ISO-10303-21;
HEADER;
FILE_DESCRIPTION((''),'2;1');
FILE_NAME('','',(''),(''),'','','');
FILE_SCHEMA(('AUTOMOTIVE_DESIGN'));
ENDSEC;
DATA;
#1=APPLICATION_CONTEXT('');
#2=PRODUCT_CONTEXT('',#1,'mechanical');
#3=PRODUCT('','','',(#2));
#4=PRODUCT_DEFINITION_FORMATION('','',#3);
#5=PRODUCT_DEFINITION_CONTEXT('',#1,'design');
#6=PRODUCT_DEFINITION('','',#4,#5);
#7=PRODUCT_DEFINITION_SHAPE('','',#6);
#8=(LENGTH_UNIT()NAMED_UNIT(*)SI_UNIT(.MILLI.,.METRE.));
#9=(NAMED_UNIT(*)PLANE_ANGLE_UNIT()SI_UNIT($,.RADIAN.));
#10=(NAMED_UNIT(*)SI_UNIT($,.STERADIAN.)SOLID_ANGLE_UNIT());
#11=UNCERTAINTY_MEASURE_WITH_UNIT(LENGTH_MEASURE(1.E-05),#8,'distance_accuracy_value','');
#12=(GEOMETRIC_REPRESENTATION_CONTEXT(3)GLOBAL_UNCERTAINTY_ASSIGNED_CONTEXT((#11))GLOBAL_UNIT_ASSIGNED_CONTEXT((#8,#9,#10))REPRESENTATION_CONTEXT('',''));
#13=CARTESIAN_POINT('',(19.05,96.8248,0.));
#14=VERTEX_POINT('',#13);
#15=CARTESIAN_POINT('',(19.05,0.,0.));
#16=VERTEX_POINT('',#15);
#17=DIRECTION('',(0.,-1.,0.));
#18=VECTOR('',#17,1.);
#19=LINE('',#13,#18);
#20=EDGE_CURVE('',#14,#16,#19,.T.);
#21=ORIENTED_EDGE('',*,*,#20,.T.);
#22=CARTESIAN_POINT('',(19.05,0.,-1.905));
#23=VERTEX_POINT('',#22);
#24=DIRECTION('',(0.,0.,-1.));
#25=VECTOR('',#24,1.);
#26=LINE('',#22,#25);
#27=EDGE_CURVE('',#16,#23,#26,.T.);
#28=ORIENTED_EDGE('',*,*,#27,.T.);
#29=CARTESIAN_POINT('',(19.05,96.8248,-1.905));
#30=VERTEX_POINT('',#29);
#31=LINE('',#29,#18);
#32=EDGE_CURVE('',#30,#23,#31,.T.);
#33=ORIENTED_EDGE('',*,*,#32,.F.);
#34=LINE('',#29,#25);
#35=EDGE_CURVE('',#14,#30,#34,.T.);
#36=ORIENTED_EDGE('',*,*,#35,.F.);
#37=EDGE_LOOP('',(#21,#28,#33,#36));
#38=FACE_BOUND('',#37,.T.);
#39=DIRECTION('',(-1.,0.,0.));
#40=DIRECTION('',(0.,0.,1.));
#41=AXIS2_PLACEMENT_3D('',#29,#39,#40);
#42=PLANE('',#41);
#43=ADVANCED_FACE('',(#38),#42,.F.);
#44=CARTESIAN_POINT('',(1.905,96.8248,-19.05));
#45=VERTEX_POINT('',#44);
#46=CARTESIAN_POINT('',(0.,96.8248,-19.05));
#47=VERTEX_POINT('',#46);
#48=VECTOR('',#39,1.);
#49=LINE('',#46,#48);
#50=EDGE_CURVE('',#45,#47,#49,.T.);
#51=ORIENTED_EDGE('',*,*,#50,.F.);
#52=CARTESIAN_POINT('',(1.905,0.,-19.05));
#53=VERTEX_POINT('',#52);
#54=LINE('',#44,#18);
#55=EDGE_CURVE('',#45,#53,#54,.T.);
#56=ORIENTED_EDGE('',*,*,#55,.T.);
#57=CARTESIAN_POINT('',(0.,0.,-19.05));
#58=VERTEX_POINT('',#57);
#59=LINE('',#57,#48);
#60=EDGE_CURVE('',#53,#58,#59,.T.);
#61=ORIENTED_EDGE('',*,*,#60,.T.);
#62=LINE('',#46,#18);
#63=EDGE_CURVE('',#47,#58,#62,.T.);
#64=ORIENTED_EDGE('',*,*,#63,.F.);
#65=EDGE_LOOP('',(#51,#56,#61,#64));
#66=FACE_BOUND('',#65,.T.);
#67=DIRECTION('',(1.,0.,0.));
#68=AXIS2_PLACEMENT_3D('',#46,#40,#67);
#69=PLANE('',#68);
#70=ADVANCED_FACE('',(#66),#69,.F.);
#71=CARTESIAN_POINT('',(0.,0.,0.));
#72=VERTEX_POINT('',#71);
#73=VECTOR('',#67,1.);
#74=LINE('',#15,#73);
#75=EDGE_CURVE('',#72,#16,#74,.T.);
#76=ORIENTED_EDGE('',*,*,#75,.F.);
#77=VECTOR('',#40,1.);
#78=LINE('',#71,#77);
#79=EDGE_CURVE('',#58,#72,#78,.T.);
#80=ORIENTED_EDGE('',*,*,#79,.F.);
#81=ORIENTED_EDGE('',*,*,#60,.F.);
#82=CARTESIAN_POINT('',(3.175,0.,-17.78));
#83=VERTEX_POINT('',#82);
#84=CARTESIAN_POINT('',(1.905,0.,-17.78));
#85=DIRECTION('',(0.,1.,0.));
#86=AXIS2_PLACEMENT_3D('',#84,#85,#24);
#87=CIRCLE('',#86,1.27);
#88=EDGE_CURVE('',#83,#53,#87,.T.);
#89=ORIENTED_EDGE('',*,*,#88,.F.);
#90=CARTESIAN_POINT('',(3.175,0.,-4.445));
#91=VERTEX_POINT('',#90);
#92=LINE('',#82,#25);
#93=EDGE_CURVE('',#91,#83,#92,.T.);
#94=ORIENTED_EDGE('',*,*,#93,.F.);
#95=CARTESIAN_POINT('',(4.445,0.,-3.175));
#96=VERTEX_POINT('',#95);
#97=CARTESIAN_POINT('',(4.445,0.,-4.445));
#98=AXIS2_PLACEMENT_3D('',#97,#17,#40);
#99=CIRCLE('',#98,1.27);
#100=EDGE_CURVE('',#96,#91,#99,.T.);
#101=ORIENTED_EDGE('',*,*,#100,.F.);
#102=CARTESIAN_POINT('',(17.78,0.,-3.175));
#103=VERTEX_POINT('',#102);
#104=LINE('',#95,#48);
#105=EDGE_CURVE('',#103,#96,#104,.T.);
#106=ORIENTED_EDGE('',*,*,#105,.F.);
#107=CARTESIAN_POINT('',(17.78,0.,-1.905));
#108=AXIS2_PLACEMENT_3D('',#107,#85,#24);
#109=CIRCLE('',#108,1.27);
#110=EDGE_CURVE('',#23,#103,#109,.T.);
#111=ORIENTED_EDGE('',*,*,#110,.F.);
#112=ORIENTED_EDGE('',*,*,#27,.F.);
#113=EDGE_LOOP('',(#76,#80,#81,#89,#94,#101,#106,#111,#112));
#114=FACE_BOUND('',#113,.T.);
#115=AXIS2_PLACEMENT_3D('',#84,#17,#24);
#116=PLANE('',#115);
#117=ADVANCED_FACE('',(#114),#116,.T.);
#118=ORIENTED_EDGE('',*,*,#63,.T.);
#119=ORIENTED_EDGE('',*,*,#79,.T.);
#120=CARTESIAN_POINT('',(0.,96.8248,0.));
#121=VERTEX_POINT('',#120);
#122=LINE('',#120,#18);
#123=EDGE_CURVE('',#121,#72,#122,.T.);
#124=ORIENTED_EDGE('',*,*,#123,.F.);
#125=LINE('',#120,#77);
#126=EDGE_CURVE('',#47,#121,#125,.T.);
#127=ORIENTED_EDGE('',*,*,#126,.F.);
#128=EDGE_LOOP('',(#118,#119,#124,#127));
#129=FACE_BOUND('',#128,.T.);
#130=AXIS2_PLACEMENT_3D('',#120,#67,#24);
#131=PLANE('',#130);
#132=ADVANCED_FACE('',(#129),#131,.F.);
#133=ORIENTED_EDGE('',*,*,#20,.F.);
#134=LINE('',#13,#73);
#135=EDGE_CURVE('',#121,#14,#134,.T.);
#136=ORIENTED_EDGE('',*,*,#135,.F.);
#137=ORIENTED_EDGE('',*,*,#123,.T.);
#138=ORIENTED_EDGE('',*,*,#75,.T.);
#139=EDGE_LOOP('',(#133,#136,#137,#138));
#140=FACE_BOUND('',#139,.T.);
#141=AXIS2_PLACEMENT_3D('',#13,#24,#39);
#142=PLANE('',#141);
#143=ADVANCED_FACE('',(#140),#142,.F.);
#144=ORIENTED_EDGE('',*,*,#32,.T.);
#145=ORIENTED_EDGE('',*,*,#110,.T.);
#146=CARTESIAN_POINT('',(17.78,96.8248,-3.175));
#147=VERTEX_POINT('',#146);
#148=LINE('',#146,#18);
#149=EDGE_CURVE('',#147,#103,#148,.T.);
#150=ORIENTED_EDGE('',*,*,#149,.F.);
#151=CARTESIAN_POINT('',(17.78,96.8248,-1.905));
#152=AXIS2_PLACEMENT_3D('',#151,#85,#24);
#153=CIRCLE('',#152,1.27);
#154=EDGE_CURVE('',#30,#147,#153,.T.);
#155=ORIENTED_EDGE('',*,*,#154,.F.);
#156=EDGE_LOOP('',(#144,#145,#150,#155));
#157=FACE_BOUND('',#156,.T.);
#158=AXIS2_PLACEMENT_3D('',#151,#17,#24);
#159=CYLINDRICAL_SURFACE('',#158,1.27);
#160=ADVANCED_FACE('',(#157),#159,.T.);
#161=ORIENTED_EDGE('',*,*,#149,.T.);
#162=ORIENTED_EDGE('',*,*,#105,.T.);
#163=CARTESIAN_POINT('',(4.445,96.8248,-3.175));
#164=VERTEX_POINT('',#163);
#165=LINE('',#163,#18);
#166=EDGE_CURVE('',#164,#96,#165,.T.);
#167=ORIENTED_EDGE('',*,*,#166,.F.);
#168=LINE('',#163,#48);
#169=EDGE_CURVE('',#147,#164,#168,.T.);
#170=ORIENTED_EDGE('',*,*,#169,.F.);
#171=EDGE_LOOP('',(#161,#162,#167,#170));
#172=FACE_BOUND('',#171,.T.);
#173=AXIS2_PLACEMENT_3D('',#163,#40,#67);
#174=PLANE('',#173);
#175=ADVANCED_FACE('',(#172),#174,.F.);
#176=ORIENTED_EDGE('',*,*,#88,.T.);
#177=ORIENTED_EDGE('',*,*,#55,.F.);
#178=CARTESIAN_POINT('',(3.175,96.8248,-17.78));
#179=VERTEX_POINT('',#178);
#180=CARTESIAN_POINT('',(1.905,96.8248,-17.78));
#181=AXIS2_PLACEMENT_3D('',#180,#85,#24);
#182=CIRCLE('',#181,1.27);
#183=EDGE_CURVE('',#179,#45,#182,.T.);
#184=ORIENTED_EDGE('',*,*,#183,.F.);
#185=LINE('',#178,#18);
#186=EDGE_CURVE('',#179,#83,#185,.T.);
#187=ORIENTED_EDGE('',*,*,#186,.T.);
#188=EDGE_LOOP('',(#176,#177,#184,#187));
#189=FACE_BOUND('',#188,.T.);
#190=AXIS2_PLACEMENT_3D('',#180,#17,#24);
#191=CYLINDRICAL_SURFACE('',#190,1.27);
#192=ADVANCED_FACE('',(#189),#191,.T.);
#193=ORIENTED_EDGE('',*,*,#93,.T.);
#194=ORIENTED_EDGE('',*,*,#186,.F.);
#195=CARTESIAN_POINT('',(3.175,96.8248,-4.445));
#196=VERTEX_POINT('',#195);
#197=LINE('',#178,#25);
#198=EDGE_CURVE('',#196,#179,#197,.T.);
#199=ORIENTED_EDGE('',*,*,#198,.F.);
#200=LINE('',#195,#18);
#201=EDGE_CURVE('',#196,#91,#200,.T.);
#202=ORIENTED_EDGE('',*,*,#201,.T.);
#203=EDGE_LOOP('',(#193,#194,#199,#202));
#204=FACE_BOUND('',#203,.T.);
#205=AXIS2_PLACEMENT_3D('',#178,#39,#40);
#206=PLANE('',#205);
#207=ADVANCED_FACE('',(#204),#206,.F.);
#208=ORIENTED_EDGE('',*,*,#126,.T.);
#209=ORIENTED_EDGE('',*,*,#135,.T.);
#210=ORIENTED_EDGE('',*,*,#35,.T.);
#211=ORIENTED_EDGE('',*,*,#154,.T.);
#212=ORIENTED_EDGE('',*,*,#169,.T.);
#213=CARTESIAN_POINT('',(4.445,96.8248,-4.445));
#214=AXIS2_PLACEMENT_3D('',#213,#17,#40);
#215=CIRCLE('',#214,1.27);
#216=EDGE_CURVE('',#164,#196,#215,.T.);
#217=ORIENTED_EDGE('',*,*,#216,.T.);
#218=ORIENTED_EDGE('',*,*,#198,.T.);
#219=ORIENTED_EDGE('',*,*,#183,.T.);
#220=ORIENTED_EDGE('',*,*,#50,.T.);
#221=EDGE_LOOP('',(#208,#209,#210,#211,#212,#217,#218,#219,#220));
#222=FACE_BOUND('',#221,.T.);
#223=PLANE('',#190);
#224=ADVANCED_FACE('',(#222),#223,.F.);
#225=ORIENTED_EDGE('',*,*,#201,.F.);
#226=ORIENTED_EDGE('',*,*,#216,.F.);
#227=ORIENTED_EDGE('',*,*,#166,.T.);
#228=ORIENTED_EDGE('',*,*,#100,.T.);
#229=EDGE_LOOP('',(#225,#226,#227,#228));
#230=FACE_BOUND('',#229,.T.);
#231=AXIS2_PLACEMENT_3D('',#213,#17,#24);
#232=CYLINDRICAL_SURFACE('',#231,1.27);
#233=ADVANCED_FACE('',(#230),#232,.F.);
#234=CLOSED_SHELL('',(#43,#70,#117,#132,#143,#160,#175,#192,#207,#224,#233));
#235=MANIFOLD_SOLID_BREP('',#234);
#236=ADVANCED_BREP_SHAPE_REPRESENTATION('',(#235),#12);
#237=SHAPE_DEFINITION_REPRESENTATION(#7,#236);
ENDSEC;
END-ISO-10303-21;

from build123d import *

# Parameters (mm, degrees)
BOSS_EXTRUDE1_DEPTH = 96.8248


with BuildPart() as part:
    # Sketch1 → Boss-Extrude1 (new body)
    with BuildSketch(Plane(origin=(0, 0, 0), x_dir=(1, 0, 0), z_dir=(0, 1, 0))):
        with BuildLine():
            Line((0, 0), (0, 19.05))
            Line((0, 19.05), (1.905, 19.05))
            ThreePointArc((1.905, 19.05), (2.803025612, 18.678025612), (3.175, 17.78))
            Line((3.175, 17.78), (3.175, 4.445))
            ThreePointArc((3.175, 4.445), (3.546974388, 3.546974388), (4.445, 3.175))
            Line((4.445, 3.175), (17.78, 3.175))
            ThreePointArc((17.78, 3.175), (18.678025612, 2.803025612), (19.05, 1.905))
            Line((19.05, 1.905), (19.05, 0))
            Line((19.05, 0), (0, 0))
        make_face()
    extrude(amount=BOSS_EXTRUDE1_DEPTH)


solid = part.part
